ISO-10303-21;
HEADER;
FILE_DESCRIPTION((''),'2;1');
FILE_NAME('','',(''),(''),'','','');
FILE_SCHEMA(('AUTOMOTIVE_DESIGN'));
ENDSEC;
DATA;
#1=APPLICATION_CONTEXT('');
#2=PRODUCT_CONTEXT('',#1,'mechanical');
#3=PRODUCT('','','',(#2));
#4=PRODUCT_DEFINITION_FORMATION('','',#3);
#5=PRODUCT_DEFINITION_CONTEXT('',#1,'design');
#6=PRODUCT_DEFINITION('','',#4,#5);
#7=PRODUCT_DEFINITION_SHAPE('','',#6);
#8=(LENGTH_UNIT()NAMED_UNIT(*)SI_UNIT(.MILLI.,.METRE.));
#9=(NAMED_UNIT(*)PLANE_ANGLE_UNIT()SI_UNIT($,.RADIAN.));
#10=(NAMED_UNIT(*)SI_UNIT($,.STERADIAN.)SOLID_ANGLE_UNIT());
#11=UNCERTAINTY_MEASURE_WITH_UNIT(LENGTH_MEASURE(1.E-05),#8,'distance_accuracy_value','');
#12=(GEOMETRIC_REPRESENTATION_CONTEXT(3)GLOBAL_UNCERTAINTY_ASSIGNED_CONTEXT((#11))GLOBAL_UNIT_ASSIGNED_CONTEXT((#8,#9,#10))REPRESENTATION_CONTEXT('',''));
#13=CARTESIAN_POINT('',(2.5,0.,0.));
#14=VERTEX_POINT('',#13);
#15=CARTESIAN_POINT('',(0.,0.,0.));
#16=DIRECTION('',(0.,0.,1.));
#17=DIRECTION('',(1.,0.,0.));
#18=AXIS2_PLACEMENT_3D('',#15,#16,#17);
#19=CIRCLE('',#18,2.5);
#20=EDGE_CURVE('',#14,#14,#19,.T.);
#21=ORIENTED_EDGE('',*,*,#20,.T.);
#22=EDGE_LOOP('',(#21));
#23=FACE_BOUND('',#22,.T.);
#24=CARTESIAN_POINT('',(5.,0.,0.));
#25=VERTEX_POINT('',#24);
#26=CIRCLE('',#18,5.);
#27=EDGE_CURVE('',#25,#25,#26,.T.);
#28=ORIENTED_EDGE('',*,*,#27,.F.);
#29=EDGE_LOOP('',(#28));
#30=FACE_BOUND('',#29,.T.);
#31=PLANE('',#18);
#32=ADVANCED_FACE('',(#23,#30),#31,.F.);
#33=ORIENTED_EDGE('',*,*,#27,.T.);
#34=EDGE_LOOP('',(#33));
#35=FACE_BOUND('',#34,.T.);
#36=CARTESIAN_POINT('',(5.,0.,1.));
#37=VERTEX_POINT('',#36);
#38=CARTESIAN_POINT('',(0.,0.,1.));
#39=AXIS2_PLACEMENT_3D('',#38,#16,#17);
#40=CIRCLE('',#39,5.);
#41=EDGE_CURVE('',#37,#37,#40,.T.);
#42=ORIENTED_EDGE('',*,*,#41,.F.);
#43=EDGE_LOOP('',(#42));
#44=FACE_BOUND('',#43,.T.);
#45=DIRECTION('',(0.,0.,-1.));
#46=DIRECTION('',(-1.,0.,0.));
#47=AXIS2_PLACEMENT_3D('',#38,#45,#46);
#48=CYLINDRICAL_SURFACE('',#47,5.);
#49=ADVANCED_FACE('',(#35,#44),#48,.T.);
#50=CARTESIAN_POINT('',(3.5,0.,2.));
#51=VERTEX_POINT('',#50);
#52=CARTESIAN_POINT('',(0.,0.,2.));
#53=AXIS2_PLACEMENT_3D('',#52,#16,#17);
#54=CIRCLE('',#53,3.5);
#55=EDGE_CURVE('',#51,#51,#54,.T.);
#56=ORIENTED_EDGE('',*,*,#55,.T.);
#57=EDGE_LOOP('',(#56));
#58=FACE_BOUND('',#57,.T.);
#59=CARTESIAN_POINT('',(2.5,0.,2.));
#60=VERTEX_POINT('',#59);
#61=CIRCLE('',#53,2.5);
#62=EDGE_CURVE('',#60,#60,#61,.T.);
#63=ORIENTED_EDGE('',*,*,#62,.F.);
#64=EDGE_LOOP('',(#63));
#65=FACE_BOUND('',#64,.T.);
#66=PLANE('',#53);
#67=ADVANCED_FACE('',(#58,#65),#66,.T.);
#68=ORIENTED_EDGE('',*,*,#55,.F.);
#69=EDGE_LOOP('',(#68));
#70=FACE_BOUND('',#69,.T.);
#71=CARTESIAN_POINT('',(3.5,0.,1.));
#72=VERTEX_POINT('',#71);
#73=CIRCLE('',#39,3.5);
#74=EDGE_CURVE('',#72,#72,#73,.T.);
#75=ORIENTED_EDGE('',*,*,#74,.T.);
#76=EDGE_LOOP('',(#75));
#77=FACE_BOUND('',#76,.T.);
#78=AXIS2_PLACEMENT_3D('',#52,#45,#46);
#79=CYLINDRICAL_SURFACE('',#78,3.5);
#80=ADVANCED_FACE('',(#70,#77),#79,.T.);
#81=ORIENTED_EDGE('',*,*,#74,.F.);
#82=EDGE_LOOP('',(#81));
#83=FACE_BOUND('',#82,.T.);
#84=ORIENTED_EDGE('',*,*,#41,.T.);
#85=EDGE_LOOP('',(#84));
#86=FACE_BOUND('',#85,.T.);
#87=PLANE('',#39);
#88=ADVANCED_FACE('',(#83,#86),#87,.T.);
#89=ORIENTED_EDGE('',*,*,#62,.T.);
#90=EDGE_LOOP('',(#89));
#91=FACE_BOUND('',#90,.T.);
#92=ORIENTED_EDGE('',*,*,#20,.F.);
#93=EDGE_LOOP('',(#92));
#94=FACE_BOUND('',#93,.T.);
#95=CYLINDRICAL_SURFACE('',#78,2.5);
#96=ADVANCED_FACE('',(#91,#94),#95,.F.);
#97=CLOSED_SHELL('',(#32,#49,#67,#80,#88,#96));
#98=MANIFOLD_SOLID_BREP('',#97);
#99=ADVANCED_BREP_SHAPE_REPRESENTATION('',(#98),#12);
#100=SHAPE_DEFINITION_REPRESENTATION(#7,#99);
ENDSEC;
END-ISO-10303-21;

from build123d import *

# Parameters (mm, degrees)
SKETCH_1_R          = 5
EXTRUDE_1_DEPTH     = 1
SKETCH_2_R          = 3.5
SKETCH_2_R_2        = 2.5
EXTRUDE_2_DEPTH     = 1
CUT_EXTRUDE_START   = -5
SKETCH_3_R          = 2.5
CUT_EXTRUDE_1_DEPTH = 5


with BuildPart() as part:
    # 草图1 → 凸台-拉伸1 (new body)
    with BuildSketch(Plane.XY):
        Circle(SKETCH_1_R)
    extrude(amount=EXTRUDE_1_DEPTH)

    # 草图2 → 凸台-拉伸2 (add)
    with BuildSketch(Plane.XY.offset(1)):
        Circle(SKETCH_2_R)
        Circle(SKETCH_2_R_2, mode=Mode.SUBTRACT)
    extrude(amount=EXTRUDE_2_DEPTH)

    # 草图3 → 切除-拉伸1 (cut)
    with BuildSketch(Plane.XY.offset(1).offset(CUT_EXTRUDE_START)):
        Circle(SKETCH_3_R)
    extrude(amount=CUT_EXTRUDE_1_DEPTH, mode=Mode.SUBTRACT)


solid = part.part
